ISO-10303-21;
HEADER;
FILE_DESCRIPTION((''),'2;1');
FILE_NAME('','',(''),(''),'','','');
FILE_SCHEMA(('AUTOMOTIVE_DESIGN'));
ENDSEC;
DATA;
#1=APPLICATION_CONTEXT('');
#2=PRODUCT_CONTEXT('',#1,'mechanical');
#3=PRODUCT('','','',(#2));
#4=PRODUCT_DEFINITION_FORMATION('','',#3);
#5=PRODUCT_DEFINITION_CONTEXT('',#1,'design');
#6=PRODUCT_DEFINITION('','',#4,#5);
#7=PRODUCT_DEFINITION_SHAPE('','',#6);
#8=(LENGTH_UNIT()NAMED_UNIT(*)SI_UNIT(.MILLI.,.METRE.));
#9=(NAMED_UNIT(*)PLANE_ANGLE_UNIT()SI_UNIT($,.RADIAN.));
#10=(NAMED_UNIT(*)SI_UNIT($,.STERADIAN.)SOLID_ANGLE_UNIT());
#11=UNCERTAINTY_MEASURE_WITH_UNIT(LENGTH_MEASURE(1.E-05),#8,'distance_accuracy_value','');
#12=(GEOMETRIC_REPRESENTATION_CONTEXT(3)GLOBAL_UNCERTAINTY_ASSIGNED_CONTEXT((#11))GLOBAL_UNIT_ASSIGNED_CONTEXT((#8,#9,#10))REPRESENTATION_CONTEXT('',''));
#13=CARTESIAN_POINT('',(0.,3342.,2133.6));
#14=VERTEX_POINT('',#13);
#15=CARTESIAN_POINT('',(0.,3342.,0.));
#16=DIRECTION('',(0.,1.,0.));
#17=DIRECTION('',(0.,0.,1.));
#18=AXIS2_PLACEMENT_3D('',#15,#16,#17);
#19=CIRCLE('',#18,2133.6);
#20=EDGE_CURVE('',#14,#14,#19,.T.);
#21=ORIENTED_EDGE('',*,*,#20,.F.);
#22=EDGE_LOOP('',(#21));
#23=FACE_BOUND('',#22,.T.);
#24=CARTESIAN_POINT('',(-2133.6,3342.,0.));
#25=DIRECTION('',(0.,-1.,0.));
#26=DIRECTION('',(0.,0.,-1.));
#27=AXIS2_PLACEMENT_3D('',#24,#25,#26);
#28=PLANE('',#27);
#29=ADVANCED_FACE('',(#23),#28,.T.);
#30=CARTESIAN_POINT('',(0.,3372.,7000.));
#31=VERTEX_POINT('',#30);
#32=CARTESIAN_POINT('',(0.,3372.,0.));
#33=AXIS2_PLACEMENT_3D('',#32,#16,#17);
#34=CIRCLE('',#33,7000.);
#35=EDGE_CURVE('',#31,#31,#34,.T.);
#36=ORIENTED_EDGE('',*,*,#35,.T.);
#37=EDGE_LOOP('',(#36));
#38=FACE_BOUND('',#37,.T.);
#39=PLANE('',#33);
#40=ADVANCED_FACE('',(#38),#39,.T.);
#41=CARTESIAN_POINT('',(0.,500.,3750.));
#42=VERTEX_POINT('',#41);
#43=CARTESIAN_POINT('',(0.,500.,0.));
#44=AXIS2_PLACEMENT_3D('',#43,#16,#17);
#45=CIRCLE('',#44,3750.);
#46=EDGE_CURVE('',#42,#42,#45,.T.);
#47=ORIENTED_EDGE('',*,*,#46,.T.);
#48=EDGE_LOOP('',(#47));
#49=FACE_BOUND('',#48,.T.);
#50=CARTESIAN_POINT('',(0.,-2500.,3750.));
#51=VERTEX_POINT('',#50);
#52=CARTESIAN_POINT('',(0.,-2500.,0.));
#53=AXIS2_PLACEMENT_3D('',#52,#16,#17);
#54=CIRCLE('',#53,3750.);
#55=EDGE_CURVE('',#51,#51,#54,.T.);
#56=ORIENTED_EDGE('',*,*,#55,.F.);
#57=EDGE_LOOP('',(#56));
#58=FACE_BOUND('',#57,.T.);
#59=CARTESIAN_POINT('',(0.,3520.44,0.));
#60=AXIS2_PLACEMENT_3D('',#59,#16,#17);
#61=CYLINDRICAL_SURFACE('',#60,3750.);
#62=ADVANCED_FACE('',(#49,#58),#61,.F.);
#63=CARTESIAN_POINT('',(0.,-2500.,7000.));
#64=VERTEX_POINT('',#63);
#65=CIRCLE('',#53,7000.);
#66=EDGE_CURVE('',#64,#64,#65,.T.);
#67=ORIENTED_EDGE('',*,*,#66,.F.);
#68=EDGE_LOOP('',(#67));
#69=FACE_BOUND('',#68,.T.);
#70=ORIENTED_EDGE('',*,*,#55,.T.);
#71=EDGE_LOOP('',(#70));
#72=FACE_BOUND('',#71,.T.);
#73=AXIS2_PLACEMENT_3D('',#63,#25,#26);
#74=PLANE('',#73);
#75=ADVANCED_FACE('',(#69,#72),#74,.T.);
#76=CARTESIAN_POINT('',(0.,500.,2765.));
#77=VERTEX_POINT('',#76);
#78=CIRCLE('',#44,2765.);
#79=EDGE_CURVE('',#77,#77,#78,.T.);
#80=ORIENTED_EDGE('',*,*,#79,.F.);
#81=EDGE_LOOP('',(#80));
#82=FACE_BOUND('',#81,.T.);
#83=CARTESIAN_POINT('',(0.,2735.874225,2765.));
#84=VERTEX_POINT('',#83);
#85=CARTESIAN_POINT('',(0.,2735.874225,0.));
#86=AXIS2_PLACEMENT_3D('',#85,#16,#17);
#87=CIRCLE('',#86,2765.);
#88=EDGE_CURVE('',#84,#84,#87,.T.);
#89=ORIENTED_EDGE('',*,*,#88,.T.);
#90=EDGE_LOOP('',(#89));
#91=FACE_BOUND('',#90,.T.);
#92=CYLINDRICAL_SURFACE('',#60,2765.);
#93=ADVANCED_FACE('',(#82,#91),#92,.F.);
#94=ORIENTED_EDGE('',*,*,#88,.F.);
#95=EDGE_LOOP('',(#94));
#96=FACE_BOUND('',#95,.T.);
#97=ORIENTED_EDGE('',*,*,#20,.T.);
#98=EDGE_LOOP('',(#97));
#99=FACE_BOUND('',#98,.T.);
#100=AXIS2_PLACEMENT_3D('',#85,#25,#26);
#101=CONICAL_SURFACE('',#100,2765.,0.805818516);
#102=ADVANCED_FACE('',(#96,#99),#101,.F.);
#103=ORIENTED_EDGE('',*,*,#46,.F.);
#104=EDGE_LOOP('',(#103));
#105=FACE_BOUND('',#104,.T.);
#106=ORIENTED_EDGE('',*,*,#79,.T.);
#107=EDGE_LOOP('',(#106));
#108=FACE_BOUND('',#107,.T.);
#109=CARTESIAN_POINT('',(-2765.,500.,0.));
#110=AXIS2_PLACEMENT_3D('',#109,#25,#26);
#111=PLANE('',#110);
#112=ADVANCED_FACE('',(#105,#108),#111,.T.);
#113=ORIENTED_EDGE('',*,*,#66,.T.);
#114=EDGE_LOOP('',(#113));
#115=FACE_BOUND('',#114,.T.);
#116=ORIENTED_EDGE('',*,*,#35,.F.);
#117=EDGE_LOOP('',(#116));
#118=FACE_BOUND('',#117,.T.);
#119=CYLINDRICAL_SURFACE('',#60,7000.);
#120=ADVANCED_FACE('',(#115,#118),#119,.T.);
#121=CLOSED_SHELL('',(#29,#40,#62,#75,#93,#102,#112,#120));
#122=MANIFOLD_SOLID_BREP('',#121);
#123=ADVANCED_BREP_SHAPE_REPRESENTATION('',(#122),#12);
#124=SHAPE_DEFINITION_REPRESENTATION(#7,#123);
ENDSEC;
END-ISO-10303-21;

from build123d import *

# Parameters (mm, degrees)
SKETCH3_W = 3250
SKETCH3_H = 3000


with BuildPart() as part:
    # Sketch2 → Revolve2 (revolve)
    with BuildSketch(Plane.XY):
        Polygon((-2765, 500), (-7000, 500), (-7000, 3372), (0, 3372), (0, 3342), (-2133.6, 3342), (-2765, 2735.874225372), align=None)
    revolve(axis=Axis((0, 3520.44, 0), (0, -1, 0)))

    # Sketch3 → Revolve3 (revolve)
    with BuildSketch(Plane(origin=(0, 0, 0), x_dir=(0, 0, -1), z_dir=(1, 0, 0))):
        with Locations((-5375, -1000)):
            Rectangle(SKETCH3_W, SKETCH3_H)
    revolve(axis=Axis((0, 3520.44, 0), (0, -1, 0)))


solid = part.part
